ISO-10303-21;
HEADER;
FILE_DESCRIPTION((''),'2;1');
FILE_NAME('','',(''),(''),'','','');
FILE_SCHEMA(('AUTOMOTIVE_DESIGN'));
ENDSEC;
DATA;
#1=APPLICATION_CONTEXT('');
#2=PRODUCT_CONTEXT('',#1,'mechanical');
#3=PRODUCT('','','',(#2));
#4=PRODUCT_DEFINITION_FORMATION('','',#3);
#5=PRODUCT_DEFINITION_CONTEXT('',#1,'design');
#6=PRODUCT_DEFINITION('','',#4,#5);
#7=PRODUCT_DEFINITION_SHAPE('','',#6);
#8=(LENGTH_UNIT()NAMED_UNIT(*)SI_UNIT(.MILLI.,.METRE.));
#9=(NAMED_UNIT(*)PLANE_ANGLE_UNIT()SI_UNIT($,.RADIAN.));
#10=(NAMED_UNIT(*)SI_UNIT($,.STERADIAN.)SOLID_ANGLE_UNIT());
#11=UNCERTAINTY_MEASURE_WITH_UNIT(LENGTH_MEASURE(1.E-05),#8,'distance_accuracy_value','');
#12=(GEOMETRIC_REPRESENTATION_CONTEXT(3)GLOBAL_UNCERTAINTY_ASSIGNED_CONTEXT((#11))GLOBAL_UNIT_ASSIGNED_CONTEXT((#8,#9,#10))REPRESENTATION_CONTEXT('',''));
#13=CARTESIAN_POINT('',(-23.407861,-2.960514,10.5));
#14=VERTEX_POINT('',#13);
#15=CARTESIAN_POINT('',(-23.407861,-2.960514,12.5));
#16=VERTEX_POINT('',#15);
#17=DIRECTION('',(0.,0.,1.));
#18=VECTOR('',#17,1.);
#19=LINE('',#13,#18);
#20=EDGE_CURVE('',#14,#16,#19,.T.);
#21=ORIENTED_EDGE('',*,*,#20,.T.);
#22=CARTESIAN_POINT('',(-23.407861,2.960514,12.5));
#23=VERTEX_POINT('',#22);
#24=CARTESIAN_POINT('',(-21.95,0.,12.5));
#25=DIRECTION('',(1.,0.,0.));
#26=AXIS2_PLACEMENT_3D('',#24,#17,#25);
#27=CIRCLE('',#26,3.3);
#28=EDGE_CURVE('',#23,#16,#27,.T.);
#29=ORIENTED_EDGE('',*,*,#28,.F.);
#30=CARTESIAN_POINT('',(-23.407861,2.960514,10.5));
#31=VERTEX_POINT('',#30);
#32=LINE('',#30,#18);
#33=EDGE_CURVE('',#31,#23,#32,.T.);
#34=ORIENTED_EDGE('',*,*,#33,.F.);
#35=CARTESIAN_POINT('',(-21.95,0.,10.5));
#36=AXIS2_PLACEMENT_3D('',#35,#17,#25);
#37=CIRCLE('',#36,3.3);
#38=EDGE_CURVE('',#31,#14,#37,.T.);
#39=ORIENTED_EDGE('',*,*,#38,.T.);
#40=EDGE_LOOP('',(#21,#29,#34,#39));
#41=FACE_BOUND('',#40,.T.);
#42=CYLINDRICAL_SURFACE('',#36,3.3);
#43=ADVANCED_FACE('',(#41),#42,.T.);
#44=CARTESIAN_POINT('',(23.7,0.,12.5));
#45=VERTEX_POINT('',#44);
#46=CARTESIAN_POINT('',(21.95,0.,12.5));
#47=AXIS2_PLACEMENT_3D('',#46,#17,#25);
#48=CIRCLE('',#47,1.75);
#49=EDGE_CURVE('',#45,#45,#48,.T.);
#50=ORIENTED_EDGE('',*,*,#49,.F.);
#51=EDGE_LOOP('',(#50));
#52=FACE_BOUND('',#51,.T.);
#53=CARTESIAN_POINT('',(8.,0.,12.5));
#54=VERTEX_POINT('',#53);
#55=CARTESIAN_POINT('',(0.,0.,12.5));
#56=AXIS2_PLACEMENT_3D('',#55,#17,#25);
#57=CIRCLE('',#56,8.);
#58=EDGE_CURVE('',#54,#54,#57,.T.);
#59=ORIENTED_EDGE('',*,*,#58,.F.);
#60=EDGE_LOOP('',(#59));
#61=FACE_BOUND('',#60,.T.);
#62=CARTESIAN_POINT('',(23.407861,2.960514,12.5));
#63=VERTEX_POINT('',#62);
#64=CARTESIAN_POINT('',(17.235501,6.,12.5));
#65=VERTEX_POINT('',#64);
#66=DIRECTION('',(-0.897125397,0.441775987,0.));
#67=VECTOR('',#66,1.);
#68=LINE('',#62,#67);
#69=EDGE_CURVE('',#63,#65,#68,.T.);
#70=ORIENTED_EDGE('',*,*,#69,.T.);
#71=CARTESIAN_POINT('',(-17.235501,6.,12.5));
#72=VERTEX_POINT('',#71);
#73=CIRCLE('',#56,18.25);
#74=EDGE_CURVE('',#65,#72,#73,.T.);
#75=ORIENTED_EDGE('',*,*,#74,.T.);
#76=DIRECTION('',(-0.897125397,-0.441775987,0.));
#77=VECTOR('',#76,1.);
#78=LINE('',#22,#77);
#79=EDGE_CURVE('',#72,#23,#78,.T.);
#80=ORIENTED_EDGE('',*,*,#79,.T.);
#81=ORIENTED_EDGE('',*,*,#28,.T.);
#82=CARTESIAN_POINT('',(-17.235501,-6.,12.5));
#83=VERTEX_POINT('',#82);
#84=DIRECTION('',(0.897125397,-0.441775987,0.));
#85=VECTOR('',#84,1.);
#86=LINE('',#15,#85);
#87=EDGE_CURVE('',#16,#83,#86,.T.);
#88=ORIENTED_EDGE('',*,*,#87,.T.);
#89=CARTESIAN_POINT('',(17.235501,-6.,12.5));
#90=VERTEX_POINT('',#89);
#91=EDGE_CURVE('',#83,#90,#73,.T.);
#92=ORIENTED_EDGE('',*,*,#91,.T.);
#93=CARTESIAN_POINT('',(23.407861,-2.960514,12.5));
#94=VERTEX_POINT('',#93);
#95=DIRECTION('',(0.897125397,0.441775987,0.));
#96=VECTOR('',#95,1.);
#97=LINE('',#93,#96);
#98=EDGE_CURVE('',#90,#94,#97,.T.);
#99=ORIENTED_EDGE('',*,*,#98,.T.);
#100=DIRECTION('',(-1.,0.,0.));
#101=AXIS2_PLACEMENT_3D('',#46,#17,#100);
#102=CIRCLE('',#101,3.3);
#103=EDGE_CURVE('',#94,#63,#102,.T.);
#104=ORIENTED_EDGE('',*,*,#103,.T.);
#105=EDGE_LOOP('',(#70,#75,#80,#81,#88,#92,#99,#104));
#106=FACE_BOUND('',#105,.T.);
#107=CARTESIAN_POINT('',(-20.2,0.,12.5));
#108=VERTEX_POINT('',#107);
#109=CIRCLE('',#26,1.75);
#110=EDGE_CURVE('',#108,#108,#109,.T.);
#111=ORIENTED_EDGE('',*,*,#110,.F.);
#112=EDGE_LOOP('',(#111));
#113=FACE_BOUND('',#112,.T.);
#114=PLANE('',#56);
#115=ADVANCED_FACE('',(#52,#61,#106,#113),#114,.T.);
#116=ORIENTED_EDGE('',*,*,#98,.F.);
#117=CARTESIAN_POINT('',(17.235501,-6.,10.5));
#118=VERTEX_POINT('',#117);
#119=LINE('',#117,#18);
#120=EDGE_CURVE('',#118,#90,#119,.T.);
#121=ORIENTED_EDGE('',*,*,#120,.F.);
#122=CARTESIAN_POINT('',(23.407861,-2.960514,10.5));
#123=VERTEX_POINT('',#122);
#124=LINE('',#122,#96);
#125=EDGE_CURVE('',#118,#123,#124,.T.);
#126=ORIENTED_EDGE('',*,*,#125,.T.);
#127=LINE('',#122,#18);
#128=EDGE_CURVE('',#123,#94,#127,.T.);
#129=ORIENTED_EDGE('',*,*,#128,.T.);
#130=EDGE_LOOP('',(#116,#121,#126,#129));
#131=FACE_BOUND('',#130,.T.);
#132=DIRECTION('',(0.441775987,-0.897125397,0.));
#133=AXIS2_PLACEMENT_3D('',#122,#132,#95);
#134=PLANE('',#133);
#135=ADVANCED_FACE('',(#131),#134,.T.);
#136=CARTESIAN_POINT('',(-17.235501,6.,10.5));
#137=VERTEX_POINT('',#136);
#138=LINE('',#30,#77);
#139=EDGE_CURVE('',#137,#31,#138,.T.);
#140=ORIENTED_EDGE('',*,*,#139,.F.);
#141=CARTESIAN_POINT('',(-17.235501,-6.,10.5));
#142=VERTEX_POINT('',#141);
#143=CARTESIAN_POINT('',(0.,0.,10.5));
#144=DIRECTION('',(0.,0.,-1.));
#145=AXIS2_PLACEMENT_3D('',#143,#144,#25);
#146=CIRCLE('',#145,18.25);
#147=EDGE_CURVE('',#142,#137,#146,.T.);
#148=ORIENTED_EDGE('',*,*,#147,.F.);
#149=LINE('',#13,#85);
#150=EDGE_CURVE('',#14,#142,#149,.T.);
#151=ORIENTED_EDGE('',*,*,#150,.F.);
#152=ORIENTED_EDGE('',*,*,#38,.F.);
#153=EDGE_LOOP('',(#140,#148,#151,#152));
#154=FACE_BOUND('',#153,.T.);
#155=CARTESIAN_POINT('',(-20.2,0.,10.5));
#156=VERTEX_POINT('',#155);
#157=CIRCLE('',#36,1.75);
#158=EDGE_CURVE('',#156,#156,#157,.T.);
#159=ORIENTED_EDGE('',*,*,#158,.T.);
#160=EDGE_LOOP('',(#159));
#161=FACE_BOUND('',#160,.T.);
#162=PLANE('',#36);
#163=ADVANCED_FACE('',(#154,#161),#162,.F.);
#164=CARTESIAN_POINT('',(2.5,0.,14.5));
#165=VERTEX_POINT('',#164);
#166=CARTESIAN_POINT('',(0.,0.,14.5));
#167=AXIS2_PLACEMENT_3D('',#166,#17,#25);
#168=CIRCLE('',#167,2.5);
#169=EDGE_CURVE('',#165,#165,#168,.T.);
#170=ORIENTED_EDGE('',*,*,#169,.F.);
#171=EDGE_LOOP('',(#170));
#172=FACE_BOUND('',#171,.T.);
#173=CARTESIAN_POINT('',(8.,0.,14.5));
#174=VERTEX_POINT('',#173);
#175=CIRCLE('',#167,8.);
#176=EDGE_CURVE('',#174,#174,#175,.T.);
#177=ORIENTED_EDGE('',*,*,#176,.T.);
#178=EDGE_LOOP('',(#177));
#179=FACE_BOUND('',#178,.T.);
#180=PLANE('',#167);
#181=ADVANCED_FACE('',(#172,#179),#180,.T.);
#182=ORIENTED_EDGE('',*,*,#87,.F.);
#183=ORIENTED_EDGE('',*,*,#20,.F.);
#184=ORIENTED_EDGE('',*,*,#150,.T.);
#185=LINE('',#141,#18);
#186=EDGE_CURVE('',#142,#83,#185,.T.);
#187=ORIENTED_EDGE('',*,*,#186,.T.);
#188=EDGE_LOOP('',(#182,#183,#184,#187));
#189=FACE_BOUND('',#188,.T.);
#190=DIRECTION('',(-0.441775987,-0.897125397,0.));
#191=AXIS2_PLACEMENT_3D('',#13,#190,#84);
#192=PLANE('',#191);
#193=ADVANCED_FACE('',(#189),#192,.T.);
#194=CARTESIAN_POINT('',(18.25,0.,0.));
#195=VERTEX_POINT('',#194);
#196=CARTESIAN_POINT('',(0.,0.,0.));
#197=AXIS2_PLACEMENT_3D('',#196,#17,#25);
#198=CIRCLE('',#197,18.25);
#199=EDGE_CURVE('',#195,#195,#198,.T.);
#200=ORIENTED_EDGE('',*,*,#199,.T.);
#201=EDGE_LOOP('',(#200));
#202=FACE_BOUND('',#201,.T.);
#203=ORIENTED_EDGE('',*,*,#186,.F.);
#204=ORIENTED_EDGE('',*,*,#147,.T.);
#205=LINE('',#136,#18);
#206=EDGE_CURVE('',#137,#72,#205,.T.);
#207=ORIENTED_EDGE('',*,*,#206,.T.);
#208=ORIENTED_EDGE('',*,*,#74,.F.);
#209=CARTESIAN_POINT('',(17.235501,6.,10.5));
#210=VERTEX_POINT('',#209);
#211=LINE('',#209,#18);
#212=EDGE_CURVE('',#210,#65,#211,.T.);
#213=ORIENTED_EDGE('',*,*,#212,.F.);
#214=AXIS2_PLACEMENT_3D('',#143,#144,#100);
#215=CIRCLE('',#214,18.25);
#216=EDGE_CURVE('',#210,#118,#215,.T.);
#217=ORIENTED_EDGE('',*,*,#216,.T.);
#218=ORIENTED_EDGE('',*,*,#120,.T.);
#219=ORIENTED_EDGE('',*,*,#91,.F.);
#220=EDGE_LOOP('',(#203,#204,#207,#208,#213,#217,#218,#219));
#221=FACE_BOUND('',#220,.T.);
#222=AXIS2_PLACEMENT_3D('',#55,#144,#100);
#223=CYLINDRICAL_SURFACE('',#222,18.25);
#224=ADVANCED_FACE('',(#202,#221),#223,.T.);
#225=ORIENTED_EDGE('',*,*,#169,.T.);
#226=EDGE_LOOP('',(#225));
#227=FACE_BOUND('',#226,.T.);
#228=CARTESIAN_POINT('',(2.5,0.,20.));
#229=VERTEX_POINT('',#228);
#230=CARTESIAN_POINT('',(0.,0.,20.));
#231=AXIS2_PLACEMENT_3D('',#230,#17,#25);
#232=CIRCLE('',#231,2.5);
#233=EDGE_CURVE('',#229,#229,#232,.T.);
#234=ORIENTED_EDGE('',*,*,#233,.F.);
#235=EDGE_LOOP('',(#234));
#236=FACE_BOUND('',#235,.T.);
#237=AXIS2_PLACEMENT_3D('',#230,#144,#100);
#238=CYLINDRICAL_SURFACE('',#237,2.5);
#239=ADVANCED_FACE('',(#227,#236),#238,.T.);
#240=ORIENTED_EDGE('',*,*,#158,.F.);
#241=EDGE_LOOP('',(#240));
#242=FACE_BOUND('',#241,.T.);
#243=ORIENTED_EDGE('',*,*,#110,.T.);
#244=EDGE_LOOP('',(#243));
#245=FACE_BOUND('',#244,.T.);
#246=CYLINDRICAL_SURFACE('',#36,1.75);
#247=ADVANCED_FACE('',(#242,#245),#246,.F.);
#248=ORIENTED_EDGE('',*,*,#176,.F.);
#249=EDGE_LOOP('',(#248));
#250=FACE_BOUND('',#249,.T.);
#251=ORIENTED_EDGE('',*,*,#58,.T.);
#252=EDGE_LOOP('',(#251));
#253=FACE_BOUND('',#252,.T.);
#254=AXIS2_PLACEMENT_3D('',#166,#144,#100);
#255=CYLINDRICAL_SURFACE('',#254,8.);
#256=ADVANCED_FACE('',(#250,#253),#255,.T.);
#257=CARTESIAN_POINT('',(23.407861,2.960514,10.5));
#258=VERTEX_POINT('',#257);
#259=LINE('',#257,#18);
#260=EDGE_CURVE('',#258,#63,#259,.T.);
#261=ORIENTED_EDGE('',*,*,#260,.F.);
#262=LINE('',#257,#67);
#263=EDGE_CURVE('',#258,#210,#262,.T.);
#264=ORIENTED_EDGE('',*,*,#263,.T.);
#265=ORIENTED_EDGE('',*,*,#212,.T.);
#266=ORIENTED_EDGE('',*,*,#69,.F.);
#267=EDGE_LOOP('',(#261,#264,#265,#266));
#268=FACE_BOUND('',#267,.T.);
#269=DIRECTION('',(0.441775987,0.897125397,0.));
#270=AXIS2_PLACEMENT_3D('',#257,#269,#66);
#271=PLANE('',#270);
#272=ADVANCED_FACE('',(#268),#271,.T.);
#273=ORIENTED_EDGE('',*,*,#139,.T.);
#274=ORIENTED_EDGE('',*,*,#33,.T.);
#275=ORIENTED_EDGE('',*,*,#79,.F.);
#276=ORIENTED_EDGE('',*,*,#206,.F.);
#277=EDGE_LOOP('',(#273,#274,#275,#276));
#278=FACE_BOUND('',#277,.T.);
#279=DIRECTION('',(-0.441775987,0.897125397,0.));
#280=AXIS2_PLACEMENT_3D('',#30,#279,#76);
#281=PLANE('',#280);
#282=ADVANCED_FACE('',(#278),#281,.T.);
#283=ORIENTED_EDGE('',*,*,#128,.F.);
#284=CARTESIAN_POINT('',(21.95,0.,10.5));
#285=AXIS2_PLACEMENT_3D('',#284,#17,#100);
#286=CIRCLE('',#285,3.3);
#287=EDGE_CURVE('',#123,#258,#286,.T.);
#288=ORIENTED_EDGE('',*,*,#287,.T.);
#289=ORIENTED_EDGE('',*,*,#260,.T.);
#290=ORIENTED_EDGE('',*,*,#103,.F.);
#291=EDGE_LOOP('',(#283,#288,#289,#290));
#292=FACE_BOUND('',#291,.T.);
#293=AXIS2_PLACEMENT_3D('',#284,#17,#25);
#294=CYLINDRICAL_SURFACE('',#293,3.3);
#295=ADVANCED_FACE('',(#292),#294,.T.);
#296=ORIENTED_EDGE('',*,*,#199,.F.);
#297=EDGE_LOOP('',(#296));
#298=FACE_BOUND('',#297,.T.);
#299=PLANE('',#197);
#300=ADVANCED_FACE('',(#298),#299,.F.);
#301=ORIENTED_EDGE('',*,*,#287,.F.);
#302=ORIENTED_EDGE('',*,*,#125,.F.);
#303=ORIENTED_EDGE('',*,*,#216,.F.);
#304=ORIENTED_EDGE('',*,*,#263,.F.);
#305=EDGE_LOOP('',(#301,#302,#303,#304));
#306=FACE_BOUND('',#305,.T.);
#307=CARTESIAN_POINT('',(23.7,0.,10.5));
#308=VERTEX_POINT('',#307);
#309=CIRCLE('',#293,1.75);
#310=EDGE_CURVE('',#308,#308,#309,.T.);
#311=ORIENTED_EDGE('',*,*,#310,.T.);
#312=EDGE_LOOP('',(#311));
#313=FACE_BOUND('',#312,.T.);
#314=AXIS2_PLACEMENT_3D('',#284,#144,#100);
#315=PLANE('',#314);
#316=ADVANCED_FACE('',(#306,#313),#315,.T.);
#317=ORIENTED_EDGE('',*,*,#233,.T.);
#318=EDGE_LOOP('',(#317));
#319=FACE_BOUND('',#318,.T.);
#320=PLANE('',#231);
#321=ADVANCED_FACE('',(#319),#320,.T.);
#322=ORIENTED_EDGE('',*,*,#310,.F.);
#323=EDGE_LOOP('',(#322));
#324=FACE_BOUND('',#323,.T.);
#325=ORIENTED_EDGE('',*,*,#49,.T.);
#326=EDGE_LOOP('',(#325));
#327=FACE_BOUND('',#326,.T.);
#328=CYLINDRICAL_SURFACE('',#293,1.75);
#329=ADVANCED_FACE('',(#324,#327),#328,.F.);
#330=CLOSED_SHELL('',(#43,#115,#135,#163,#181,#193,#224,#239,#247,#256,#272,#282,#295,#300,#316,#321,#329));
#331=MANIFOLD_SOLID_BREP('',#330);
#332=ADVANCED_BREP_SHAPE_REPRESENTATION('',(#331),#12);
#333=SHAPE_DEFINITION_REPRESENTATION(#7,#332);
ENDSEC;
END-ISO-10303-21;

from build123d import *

# Parameters (mm, degrees)
SKETCH1_R           = 18.25
BOSS_EXTRUDE1_DEPTH = 12.5
BOSS_EXTRUDE2_START = -2
SKETCH2_R           = 1.75
BOSS_EXTRUDE2_DEPTH = 2
SKETCH3_R           = 8
BOSS_EXTRUDE3_DEPTH = 2
SKETCH4_R           = 2.5
BOSS_EXTRUDE4_DEPTH = 5.5


with BuildPart() as part:
    # Sketch1 → Boss-Extrude1 (new body)
    with BuildSketch(Plane.XY):
        Circle(SKETCH1_R)
    extrude(amount=BOSS_EXTRUDE1_DEPTH)

    # Sketch2 → Boss-Extrude2 (add)
    # profile 1 of 2: a face of its own
    with BuildSketch(Plane.XY.offset(12.5).offset(BOSS_EXTRUDE2_START)):
        with BuildLine():
            Line((-23.407860756, 2.960513809), (-17.235501153, 6))
            ThreePointArc((-17.235501153, 6), (-18.25, 0), (-17.235501153, -6))
            Line((-17.235501153, -6), (-23.407860756, -2.960513809))
            ThreePointArc((-23.407860756, -2.960513809), (-25.25, 0), (-23.407860756, 2.960513809))
        make_face()
        with Locations((-21.95, 0)):
            Circle(SKETCH2_R, mode=Mode.SUBTRACT)
    # profile 2 of 2: a face of its own
    with BuildSketch(Plane.XY.offset(12.5).offset(BOSS_EXTRUDE2_START)):
        with BuildLine():
            Line((23.407860756, 2.960513809), (17.235501153, 6))
            ThreePointArc((17.235501153, 6), (18.25, 0), (17.235501153, -6))
            Line((17.235501153, -6), (23.407860756, -2.960513809))
            ThreePointArc((23.407860756, -2.960513809), (25.25, 0), (23.407860756, 2.960513809))
        make_face()
        with Locations((21.95, 0)):
            Circle(SKETCH2_R, mode=Mode.SUBTRACT)
    extrude(amount=BOSS_EXTRUDE2_DEPTH)

    # Sketch3 → Boss-Extrude3 (add)
    with BuildSketch(Plane.XY.offset(12.5)):
        Circle(SKETCH3_R)
    extrude(amount=BOSS_EXTRUDE3_DEPTH)

    # Sketch4 → Boss-Extrude4 (add)
    with BuildSketch(Plane.XY.offset(14.5)):
        Circle(SKETCH4_R)
    extrude(amount=BOSS_EXTRUDE4_DEPTH)


solid = part.part
